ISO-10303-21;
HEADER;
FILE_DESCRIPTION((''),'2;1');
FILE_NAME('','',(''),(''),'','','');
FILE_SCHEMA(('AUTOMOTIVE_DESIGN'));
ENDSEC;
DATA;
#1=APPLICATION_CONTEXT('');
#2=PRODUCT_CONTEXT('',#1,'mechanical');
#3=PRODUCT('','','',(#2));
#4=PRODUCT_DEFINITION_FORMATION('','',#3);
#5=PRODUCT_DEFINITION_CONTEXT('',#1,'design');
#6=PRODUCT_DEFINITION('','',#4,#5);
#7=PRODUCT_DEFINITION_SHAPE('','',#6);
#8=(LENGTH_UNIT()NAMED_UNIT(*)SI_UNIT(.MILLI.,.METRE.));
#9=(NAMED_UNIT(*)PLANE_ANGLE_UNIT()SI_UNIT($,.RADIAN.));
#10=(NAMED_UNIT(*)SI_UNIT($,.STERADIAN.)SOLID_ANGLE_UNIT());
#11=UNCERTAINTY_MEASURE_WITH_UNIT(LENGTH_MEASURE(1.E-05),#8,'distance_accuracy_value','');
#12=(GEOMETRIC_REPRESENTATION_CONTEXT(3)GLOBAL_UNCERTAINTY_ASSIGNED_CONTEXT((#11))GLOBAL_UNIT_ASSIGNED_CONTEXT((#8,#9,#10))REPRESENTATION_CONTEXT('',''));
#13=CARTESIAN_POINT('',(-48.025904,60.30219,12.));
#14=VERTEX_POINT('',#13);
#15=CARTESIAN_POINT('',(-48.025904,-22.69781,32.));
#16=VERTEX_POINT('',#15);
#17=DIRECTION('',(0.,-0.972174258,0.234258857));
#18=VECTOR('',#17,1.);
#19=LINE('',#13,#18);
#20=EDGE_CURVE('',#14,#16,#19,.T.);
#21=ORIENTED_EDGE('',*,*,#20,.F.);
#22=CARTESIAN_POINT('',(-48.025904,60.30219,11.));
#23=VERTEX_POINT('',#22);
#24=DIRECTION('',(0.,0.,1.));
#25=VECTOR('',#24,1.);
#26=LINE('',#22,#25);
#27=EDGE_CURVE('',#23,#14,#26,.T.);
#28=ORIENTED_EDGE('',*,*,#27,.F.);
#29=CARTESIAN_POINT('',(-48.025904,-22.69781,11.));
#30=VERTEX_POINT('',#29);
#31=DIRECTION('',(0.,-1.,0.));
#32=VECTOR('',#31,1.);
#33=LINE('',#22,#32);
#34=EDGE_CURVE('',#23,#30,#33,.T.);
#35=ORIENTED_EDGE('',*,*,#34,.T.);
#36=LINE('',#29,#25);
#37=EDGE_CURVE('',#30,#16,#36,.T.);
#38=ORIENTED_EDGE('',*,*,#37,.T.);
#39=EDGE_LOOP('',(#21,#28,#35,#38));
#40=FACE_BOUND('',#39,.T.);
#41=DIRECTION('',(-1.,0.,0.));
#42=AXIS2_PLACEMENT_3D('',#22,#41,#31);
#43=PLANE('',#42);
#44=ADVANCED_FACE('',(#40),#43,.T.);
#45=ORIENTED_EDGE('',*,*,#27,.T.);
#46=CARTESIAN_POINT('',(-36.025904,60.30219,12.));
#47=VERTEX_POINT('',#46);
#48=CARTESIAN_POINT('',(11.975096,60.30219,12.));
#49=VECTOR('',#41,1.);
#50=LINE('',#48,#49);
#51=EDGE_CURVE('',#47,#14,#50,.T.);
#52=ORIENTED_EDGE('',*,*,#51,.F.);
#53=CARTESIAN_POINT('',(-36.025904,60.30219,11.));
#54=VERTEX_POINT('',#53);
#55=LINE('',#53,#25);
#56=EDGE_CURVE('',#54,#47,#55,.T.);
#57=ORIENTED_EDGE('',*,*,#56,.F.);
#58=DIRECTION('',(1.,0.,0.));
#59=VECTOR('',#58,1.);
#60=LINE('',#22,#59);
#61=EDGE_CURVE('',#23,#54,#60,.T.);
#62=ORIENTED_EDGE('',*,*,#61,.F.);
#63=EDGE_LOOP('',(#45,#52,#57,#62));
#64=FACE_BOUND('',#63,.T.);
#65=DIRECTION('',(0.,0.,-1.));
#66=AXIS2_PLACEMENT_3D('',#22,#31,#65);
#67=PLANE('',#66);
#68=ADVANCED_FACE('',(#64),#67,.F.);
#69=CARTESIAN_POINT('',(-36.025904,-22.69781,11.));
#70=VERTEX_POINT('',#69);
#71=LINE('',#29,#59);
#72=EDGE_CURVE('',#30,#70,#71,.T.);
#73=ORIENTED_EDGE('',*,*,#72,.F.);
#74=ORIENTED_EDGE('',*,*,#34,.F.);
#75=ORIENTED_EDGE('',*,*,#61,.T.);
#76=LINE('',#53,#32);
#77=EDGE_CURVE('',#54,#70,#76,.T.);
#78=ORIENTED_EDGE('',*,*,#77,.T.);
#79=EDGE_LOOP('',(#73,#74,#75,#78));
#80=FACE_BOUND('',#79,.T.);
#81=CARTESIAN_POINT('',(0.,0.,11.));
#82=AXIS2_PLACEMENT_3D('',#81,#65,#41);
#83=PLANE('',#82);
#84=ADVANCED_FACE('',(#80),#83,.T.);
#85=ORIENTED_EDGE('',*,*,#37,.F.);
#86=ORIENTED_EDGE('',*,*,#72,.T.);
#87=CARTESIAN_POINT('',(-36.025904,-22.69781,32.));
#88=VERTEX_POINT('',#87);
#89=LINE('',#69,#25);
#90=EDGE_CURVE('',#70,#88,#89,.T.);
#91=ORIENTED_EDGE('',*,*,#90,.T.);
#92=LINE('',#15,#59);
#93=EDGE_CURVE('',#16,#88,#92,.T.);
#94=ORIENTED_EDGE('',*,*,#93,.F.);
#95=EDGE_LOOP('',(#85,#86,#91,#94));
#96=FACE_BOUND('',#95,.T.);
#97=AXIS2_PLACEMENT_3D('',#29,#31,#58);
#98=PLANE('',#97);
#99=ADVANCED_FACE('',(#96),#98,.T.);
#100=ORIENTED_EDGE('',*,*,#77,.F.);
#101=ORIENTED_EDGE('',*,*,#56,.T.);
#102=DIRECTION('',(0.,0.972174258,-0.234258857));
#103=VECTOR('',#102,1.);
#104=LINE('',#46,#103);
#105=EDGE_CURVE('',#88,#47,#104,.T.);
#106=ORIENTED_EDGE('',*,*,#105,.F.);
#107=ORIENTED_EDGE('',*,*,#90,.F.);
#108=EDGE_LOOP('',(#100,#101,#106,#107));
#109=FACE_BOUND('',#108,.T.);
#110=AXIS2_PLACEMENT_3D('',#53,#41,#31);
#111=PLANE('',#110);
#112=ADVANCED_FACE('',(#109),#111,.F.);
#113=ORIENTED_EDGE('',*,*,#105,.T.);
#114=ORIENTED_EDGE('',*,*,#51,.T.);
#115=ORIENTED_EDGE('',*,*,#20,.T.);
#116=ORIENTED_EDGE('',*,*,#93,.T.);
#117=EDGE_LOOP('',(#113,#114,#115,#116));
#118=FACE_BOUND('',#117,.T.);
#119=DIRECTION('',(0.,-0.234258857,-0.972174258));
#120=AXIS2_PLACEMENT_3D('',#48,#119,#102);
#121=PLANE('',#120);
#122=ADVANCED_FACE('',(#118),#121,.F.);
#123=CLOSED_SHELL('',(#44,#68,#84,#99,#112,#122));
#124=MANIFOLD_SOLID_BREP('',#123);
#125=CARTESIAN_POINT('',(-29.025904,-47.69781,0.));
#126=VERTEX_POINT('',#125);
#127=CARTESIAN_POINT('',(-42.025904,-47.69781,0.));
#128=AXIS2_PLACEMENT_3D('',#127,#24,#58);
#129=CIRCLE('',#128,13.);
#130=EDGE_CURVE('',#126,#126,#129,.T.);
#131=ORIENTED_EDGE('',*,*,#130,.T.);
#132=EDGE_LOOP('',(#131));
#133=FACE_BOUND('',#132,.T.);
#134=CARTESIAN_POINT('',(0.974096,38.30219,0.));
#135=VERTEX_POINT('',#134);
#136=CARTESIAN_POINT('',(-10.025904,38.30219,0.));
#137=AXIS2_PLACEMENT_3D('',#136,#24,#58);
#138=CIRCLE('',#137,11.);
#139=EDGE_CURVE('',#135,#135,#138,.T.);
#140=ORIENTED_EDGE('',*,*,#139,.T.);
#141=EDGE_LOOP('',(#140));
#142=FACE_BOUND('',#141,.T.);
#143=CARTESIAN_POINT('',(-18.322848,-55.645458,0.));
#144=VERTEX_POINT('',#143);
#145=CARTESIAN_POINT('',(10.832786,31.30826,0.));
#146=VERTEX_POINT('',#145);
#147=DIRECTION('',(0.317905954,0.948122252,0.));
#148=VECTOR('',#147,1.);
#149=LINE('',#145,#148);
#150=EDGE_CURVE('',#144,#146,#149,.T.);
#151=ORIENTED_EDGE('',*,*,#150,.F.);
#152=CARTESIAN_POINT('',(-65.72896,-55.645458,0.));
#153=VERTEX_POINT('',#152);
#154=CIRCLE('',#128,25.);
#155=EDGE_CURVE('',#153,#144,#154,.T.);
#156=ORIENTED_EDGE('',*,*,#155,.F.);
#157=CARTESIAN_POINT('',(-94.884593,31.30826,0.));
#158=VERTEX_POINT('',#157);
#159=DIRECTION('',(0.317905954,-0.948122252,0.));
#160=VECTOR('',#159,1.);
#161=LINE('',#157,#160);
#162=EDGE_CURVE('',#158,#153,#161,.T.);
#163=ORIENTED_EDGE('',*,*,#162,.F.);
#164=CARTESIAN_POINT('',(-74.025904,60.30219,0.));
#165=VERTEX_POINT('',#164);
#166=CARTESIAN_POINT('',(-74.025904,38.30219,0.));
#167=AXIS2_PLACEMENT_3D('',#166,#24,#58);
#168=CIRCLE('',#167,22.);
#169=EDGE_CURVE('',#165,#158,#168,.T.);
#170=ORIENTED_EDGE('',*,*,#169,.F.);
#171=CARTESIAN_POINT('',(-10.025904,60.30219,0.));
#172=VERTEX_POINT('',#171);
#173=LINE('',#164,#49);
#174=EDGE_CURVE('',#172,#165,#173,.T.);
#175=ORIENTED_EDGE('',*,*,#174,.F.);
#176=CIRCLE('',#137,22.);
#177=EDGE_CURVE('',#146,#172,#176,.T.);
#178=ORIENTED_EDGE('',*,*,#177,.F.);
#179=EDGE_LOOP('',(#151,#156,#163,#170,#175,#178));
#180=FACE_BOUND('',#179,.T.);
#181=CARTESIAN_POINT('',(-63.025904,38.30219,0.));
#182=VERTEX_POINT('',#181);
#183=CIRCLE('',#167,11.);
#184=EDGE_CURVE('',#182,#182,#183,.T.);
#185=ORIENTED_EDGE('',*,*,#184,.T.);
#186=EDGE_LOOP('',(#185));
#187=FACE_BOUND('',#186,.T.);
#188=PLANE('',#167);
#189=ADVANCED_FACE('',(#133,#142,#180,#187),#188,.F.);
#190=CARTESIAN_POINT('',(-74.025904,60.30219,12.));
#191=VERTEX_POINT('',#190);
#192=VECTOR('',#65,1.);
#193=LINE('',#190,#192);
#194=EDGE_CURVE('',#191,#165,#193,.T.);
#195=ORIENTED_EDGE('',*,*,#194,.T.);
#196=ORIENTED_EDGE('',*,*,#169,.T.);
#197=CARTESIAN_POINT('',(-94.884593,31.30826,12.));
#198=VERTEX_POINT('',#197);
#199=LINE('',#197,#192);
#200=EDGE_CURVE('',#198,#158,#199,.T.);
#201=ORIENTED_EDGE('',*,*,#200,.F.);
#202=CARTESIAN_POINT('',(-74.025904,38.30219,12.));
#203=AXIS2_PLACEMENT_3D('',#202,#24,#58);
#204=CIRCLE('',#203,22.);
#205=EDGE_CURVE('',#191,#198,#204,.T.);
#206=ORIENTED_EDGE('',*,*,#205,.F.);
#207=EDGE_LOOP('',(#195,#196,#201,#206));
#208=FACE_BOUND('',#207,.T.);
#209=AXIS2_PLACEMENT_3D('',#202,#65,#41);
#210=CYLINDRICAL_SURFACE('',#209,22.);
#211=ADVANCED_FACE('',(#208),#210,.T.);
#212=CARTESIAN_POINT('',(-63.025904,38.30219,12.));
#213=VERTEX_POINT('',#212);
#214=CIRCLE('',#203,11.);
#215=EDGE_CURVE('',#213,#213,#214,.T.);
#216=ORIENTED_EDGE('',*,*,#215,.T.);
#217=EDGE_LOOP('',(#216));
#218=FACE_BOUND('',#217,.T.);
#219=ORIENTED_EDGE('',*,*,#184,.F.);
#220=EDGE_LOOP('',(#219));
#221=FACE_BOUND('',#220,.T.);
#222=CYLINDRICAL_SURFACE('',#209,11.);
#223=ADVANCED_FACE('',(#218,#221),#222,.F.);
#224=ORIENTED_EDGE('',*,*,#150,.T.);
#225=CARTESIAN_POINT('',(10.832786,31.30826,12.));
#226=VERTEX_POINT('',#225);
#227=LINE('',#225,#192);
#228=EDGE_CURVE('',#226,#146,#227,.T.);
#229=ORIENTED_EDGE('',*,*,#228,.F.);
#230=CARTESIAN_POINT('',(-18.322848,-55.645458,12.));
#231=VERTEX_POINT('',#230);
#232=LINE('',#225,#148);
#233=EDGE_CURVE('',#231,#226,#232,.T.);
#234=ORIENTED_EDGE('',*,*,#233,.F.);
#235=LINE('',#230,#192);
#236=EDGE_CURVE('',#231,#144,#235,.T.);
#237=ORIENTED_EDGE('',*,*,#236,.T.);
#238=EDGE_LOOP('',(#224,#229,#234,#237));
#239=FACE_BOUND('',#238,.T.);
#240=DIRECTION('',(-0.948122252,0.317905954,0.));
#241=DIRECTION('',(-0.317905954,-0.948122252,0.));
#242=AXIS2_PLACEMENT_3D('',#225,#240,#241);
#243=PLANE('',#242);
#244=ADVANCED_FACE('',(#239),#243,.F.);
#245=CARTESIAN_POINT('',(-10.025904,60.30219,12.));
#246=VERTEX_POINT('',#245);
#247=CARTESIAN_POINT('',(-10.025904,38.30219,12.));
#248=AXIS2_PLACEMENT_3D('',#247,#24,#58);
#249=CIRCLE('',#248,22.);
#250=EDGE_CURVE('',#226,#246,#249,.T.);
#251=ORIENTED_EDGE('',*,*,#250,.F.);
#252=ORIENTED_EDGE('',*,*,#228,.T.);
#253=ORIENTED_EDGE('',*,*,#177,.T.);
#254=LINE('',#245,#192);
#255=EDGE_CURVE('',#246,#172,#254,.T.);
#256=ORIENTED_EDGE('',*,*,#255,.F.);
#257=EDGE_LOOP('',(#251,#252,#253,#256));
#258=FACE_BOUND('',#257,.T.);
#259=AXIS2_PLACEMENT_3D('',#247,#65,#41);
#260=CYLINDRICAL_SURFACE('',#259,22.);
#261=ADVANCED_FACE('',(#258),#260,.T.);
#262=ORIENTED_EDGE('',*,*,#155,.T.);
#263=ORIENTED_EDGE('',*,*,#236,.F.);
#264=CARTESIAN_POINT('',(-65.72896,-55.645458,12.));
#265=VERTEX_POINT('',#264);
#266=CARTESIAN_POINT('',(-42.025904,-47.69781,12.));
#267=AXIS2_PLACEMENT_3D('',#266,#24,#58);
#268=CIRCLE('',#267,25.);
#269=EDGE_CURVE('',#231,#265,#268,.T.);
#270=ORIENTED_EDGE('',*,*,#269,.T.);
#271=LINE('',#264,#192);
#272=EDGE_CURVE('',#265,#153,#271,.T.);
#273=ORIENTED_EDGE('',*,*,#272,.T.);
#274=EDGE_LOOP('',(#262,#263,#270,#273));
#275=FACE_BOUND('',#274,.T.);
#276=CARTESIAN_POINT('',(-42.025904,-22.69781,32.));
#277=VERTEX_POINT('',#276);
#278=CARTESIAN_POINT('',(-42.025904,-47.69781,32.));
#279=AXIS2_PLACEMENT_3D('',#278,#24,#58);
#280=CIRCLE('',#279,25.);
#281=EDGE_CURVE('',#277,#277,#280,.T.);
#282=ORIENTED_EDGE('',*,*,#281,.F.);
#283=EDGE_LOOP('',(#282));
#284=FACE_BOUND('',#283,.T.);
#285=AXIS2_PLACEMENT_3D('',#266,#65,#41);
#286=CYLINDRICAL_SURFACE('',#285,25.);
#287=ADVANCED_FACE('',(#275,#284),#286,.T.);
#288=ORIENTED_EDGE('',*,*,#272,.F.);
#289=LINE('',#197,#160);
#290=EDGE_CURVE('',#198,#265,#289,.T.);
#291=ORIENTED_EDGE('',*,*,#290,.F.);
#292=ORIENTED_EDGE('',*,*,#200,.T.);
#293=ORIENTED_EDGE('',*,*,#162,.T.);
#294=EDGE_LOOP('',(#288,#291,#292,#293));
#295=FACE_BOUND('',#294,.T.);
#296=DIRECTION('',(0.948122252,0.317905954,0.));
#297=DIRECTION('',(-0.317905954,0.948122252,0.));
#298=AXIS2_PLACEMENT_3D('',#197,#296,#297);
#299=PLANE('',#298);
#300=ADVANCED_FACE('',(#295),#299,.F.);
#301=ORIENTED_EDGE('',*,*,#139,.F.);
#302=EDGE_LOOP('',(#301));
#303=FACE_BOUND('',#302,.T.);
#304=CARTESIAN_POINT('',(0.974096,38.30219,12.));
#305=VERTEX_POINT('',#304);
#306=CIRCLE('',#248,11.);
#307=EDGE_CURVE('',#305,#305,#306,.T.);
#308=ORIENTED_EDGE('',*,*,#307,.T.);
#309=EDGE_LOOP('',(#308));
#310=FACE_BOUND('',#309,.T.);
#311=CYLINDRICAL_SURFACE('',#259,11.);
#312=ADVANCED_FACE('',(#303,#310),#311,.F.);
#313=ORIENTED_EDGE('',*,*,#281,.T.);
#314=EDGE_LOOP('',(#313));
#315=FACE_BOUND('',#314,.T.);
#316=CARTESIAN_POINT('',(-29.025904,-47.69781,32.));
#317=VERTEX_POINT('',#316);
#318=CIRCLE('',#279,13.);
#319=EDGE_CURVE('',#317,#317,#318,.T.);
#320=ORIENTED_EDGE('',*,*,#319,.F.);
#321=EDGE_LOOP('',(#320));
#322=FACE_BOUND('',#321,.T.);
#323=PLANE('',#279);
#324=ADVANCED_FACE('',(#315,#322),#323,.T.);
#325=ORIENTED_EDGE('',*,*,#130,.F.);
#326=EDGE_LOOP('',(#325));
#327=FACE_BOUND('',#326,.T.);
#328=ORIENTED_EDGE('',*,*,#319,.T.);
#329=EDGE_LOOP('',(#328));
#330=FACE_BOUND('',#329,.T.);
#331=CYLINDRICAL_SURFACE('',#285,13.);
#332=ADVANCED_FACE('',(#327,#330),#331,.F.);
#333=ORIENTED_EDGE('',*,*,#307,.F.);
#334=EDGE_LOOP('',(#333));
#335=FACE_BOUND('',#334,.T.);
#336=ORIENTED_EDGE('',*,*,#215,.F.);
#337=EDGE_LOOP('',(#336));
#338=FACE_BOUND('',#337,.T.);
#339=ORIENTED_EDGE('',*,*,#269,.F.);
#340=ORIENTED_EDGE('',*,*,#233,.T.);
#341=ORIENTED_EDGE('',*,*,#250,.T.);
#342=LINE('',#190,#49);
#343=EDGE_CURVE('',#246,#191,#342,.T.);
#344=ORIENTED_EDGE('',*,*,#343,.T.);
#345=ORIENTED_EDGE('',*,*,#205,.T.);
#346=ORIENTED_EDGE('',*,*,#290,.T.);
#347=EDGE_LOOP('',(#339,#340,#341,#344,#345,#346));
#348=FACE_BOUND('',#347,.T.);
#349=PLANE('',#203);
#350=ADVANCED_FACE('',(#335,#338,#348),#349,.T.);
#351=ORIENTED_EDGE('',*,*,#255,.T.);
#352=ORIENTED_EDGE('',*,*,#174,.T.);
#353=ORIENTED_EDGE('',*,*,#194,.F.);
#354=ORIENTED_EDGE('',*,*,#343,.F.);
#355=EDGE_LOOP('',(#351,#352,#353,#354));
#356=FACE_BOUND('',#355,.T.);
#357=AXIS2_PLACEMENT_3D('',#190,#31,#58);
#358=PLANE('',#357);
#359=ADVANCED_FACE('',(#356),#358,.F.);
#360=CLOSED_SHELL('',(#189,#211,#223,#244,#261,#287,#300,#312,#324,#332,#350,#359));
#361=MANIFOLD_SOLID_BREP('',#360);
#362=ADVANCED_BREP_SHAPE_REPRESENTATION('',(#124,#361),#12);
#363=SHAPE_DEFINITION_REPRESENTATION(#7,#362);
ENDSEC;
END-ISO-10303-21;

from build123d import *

# Parameters (mm, degrees)
IZIM1_R                           = 11
IZIM1_R_2                         = 13
Y_KSEKLIK_EKSTR_ZYON9_DEPTH       = 12
IZIM11_R                          = 25
Y_KSEKLIK_EKSTR_ZYON10_DEPTH      = 20
KES_EKSTR_ZYON4_REACH             = 126.619
IZIM12_R                          = 13
Y_KSEKLIK_EKSTR_ZYON32_DEPTH      = 20
Y_KSEKLIK_EKSTR_ZYON32_DEPTH_BACK = 1
IZIM13_W                          = 12
IZIM13_H                          = 83
KES_EKSTR_ZYON5_DEPTH             = 12


with BuildPart() as part:
    # Çizim1 → Yükseklik-Ekstrüzyon9 (new body)
    with BuildSketch(Plane.XY):
        with BuildLine():
            Line((-74.025903813, 60.302190491), (-10.025903813, 60.302190491))
            ThreePointArc((-10.025903813, 60.302190491), (7.832798293, 51.150021402), (10.832785726, 31.3082595))
            Line((10.832785726, 31.3082595), (-18.322847519, -55.645458362))
            ThreePointArc((-18.322847519, -55.645458362), (-42.025903813, -72.697809509), (-65.728960107, -55.645458362))
            Line((-65.728960107, -55.645458362), (-94.884593352, 31.3082595))
            ThreePointArc((-94.884593352, 31.3082595), (-91.884605919, 51.150021402), (-74.025903813, 60.302190491))
        make_face()
        with Locations((-74.025903813, 38.302190491)):
            Circle(IZIM1_R, mode=Mode.SUBTRACT)
        with Locations((-10.025903813, 38.302190491)):
            Circle(IZIM1_R, mode=Mode.SUBTRACT)
        with Locations((-42.025903813, -47.697809509)):
            Circle(IZIM1_R_2, mode=Mode.SUBTRACT)
    extrude(amount=Y_KSEKLIK_EKSTR_ZYON9_DEPTH)

    # Çizim11 → Yükseklik-Ekstrüzyon10 (add)
    with BuildSketch(Plane.XY.offset(12)):
        with Locations(Location((-42.025903813, -47.697809509, 0), (0, 0, 198.536333039))):
            Circle(IZIM11_R)
    extrude(amount=Y_KSEKLIK_EKSTR_ZYON10_DEPTH)

    # Çizim12 → Kes-Ekstrüzyon4 (cut, up to next)
    with BuildSketch(Plane.XY.offset(32), mode=Mode.PRIVATE) as kes_ekstr_zyon4_sk1:
        with Locations((-42.025903813, -47.697809509)):
            Circle(IZIM12_R)
    kes_ekstr_zyon4_tool1 = extrude(kes_ekstr_zyon4_sk1.sketch, amount=-KES_EKSTR_ZYON4_REACH, mode=Mode.PRIVATE) & part.part
    add(kes_ekstr_zyon4_tool1.solids().sort_by_distance((-42.025904, -47.69781, 32))[0], mode=Mode.SUBTRACT)


with BuildPart() as body_2:
    # Çizim13 → Yükseklik-Ekstrüzyon32 (new, two sides: drawn at the far end of the back side and taken through both)
    with BuildSketch(Plane.XY.offset(12).offset(-Y_KSEKLIK_EKSTR_ZYON32_DEPTH_BACK)):
        with Locations((-42.025903813, 18.802190491)):
            Rectangle(IZIM13_W, IZIM13_H)
    extrude(amount=Y_KSEKLIK_EKSTR_ZYON32_DEPTH + Y_KSEKLIK_EKSTR_ZYON32_DEPTH_BACK)

    # Çizim14 → Kes-Ekstrüzyon5 (cut)
    with BuildSketch(Plane.ZY.offset(48.025903813)):
        Polygon((12, 60.302190491), (32, -22.697809509), (32, 60.302190491), align=None)
    extrude(amount=-KES_EKSTR_ZYON5_DEPTH, mode=Mode.SUBTRACT)


solid = Compound([part.part, body_2.part])
